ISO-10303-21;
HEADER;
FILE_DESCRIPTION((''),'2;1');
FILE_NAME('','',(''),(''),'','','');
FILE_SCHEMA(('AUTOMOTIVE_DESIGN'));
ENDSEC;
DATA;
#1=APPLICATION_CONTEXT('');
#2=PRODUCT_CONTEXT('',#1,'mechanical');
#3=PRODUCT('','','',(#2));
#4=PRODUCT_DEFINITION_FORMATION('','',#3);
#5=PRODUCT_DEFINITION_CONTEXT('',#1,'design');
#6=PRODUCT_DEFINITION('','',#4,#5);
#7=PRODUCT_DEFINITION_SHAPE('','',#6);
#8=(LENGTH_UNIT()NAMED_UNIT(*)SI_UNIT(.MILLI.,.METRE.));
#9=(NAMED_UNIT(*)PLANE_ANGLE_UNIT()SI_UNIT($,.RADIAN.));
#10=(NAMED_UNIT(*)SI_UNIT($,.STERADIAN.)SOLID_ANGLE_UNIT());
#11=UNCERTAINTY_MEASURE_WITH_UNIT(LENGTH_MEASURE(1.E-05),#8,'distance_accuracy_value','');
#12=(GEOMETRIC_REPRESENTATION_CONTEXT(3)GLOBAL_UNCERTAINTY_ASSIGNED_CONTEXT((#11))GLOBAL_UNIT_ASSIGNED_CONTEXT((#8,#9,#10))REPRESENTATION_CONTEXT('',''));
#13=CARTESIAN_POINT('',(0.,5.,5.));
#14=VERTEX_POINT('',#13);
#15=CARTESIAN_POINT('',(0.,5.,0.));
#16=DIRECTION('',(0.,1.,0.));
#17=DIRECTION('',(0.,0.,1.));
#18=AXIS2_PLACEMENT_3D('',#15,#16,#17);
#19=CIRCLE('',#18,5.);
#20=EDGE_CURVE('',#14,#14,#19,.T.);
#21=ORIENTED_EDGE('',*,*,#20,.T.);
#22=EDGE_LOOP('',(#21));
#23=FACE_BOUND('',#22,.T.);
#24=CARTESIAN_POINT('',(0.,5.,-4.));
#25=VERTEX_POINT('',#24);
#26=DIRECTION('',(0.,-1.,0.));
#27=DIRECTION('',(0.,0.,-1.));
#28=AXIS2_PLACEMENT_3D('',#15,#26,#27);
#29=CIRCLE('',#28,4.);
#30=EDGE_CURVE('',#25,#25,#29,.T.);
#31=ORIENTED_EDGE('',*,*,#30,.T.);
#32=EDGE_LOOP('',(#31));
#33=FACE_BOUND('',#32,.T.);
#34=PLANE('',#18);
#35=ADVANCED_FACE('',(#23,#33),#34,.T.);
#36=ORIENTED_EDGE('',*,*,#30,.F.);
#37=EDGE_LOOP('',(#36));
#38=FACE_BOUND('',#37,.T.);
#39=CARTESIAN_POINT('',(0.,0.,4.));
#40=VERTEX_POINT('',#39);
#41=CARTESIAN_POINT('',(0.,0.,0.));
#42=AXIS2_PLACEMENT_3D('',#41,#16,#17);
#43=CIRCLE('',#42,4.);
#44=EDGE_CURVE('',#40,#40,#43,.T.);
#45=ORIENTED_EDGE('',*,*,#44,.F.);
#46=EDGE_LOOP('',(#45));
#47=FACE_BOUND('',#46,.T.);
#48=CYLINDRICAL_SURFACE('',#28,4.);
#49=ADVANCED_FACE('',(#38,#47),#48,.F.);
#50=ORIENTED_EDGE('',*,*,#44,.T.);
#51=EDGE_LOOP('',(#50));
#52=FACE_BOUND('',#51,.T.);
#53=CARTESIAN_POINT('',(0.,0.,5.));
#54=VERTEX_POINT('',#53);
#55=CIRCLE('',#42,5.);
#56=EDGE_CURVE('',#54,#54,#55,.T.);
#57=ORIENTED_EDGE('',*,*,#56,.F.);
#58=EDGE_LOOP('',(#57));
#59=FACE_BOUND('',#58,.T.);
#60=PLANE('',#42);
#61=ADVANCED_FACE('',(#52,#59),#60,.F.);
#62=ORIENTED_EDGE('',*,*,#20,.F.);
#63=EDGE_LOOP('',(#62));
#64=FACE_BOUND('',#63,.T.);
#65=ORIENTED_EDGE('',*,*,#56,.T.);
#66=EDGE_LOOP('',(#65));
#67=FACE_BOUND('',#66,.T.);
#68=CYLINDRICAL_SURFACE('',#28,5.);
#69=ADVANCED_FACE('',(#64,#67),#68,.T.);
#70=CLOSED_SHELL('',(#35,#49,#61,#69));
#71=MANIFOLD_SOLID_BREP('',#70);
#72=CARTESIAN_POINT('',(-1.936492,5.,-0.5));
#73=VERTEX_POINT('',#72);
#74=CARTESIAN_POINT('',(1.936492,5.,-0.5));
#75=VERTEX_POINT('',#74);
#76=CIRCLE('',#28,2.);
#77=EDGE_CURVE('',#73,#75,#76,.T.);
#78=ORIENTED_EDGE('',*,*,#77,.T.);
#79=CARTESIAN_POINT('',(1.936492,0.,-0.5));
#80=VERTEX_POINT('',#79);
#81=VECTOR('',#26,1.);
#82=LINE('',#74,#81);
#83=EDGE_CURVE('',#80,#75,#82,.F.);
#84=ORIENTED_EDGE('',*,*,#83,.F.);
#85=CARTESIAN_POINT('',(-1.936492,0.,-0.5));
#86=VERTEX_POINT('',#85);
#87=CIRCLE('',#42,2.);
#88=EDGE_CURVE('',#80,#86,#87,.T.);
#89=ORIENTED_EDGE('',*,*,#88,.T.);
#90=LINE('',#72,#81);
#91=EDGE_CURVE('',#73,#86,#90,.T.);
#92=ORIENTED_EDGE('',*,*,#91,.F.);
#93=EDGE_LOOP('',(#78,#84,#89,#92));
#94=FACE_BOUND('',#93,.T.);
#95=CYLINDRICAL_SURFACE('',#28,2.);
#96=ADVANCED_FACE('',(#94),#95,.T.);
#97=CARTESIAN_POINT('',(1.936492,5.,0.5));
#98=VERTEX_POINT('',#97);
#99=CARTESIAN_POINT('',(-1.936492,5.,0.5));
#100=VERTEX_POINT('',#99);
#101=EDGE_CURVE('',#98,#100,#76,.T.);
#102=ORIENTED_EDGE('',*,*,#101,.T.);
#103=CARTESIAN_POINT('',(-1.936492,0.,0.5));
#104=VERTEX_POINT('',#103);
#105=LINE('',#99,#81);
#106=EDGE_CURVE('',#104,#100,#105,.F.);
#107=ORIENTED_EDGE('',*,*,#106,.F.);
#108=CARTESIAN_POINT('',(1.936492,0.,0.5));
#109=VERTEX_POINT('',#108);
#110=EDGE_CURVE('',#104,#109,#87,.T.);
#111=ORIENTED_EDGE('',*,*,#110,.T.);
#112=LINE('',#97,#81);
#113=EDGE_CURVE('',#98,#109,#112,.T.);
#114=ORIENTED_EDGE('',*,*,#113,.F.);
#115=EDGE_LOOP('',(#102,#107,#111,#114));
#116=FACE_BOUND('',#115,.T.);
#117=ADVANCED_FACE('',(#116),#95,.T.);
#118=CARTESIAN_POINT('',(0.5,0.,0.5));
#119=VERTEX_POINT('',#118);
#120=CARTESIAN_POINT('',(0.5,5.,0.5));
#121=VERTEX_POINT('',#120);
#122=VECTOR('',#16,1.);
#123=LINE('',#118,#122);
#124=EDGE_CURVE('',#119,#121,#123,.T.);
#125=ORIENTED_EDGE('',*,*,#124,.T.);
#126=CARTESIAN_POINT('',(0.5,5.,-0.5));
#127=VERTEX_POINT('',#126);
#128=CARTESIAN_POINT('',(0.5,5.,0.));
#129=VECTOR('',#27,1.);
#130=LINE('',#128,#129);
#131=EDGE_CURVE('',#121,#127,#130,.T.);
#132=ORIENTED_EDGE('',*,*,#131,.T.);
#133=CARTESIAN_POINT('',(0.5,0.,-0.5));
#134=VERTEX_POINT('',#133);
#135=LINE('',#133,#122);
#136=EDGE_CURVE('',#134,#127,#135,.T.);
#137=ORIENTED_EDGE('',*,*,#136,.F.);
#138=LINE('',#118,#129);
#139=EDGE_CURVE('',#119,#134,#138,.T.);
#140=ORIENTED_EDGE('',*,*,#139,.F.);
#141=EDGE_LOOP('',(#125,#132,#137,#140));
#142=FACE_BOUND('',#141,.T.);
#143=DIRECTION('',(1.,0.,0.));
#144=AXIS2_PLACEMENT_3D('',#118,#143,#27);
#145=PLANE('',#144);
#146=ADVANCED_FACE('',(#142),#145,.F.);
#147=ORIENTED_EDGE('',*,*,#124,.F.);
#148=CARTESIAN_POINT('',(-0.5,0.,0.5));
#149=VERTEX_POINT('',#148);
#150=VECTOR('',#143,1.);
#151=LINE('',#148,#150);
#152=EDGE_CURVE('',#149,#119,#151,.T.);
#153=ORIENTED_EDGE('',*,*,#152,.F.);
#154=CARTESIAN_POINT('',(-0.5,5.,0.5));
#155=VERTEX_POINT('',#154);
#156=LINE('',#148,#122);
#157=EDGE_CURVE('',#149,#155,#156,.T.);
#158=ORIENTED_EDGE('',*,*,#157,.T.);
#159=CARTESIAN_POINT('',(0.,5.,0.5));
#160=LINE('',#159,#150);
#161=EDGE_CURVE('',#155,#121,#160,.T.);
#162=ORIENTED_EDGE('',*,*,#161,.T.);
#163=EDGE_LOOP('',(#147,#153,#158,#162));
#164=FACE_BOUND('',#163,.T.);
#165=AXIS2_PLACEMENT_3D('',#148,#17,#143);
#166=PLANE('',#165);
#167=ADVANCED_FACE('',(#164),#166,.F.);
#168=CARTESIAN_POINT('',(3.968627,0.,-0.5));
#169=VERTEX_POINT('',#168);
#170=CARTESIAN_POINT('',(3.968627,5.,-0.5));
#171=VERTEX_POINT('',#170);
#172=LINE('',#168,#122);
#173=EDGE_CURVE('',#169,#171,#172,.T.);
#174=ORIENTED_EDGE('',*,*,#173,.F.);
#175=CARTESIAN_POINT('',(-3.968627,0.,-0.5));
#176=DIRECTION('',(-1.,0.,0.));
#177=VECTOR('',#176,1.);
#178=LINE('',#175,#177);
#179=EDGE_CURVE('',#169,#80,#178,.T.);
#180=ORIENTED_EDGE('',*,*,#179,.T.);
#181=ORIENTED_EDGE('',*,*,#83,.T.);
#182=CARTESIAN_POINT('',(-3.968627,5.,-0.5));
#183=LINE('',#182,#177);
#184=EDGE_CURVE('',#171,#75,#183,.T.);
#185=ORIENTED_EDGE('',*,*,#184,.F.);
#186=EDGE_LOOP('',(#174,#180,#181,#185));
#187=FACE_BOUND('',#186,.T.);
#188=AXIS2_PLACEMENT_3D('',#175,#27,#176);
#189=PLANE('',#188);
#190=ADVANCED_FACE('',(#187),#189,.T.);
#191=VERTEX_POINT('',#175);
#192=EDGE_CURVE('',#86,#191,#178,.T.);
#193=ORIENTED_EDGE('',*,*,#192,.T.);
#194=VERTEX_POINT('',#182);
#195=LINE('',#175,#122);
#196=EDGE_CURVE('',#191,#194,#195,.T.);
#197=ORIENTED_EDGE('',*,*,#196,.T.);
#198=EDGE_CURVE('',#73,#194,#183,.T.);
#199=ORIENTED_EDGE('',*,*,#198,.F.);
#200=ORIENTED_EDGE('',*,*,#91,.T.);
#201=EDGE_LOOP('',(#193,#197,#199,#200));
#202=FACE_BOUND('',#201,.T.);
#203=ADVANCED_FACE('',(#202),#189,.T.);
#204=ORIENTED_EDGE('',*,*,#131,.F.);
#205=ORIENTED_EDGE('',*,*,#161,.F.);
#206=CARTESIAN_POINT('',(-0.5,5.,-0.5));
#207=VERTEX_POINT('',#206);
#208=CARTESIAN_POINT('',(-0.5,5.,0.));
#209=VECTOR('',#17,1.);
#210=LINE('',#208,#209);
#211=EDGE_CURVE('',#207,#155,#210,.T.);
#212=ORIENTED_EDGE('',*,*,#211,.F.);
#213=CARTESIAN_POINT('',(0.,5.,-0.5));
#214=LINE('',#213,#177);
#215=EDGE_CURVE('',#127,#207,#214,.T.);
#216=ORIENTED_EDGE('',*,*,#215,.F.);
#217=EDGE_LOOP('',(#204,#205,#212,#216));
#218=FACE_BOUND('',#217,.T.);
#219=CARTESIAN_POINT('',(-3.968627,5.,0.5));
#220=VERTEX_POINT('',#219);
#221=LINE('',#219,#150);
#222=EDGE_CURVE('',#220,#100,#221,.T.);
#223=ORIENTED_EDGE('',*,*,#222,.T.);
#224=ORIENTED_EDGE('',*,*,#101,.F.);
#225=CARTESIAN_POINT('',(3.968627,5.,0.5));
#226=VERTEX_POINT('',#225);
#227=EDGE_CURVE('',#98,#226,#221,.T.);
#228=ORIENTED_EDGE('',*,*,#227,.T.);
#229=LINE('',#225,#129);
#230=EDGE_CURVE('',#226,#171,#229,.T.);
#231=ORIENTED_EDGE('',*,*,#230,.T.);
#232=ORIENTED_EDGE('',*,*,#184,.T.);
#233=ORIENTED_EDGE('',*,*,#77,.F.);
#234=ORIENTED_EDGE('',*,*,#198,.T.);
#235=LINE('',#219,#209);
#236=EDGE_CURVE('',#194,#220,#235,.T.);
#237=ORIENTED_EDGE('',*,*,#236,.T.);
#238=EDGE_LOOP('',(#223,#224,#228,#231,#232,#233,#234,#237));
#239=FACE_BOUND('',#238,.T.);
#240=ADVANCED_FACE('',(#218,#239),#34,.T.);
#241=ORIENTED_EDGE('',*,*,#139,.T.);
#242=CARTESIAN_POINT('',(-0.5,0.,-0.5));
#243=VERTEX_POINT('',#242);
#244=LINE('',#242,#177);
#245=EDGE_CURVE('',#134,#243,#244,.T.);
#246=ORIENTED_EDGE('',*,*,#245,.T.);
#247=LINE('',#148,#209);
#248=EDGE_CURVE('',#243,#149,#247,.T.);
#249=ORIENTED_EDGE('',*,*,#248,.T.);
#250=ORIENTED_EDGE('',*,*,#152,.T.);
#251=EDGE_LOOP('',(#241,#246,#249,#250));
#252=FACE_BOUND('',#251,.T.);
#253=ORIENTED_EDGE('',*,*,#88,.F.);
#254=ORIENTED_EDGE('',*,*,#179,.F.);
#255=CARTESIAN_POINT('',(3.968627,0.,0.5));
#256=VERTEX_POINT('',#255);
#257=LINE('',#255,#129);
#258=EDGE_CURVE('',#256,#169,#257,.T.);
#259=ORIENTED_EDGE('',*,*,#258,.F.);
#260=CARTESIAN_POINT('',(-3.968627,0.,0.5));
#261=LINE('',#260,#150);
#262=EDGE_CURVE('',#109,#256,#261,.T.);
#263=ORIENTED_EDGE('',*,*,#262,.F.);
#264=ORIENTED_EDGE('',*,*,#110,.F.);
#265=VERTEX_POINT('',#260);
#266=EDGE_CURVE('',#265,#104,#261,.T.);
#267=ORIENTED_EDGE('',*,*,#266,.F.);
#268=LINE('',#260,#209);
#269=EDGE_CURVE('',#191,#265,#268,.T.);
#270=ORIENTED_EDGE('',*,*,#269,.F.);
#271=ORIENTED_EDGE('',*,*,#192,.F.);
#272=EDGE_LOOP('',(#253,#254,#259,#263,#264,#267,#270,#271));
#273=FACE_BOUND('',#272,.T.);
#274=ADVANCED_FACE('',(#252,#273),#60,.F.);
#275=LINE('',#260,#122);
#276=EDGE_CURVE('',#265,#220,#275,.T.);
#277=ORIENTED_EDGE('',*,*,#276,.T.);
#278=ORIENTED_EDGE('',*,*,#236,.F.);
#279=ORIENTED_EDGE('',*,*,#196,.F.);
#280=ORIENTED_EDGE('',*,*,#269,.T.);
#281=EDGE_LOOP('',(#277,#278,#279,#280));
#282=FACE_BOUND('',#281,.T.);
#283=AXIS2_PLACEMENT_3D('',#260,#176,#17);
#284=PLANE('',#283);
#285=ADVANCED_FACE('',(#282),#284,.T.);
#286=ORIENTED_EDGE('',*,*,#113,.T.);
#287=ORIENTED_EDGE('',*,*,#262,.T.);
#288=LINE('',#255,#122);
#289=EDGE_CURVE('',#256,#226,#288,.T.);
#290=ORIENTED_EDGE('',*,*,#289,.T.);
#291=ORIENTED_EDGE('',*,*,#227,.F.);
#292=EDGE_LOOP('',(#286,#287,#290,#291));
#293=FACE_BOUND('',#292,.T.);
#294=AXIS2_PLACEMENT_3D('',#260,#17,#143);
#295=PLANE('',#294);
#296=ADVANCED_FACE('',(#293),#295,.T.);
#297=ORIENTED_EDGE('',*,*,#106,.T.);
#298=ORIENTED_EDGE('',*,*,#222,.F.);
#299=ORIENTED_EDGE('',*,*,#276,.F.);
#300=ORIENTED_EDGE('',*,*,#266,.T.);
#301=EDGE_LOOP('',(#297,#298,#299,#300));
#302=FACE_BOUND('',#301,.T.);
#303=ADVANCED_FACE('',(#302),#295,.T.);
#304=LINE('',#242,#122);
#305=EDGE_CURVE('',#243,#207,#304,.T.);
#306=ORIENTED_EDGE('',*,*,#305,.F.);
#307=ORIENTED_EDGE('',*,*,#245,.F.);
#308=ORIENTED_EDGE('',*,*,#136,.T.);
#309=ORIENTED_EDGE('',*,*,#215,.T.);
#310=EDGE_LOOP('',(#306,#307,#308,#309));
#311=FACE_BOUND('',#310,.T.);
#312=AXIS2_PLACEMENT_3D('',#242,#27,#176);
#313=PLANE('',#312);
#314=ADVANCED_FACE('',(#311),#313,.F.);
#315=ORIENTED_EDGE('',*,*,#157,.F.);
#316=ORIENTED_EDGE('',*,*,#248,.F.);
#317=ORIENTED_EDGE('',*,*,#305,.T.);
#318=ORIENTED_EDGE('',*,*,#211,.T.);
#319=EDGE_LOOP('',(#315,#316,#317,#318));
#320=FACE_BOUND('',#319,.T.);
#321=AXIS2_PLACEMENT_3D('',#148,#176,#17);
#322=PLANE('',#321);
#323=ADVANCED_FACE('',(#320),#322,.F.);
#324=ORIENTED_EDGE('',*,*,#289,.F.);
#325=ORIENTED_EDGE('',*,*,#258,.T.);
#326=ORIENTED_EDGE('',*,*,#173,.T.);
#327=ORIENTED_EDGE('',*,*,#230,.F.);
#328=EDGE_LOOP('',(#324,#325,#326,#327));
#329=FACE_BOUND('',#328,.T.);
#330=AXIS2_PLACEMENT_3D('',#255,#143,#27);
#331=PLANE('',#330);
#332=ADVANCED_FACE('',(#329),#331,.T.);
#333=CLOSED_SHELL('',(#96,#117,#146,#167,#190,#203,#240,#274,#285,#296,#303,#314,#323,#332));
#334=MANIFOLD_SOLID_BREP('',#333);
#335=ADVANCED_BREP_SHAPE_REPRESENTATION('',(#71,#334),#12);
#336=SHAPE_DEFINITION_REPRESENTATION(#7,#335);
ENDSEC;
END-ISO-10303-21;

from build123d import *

# Parameters (mm, degrees)
SKETCH2_R               = 5
SKETCH2_W               = 1
SKETCH2_H               = 1
BOSS_EXTRUDE1_DEPTH     = 5
CUT_EXTRUDE1_DEPTH      = 9.660254038
CUT_EXTRUDE1_DEPTH_BACK = 9.660254038
SKETCH4_R               = 4
SKETCH4_R_2             = 2
SKETCH6_W               = 7.937253934
SKETCH6_H               = 1
BOSS_EXTRUDE2_DEPTH     = 5
CUT_EXTRUDE2_DEPTH      = 9.660254038
CUT_EXTRUDE2_DEPTH_BACK = 9.660254038
SKETCH7_W               = 1
SKETCH7_H               = 1


with BuildPart() as part:
    # Sketch2 → Boss-Extrude1 (new body)
    with BuildSketch(Plane(origin=(0, 0, 0), x_dir=(1, 0, 0), z_dir=(0, 1, 0))):
        with Locations(Location((0, 0, 0), (0, 0, 270))):
            Circle(SKETCH2_R)
        Rectangle(SKETCH2_W, SKETCH2_H, mode=Mode.SUBTRACT)
    extrude(amount=BOSS_EXTRUDE1_DEPTH)

    # Sketch4 → Cut-Extrude1 (cut, two sides: drawn at the far end of the back side and taken through both)
    with BuildSketch(Plane.XZ.offset(-CUT_EXTRUDE1_DEPTH_BACK)):
        with Locations(Location((0, 0, 0), (0, 0, 270))):
            Circle(SKETCH4_R)
        with Locations(Location((0, 0, 0), (0, 0, 270))):
            Circle(SKETCH4_R_2, mode=Mode.SUBTRACT)
    extrude(amount=CUT_EXTRUDE1_DEPTH + CUT_EXTRUDE1_DEPTH_BACK, mode=Mode.SUBTRACT)


with BuildPart() as cut_extrude1_piece_1:
    # of the separate pieces the step leaves, piece 1, a body of its own (cut_extrude1_pieces)
    add(part.part.solids().sort_by_distance((0, 0, 5))[0])


with BuildPart() as cut_extrude1_piece_2:
    # of the separate pieces the step leaves, piece 2, a body of its own (cut_extrude1_pieces)
    add(part.part.solids().sort_by_distance((0, 0, -2))[0])

    # Sketch6 → Boss-Extrude2 (add)
    with BuildSketch(Plane(origin=(0, 5, 0), x_dir=(1, 0, 0), z_dir=(0, 1, 0))):
        Rectangle(SKETCH6_W, SKETCH6_H)
    extrude(amount=-BOSS_EXTRUDE2_DEPTH)

    # Sketch7 → Cut-Extrude2 (cut, two sides: drawn at the far end of the back side and taken through both)
    with BuildSketch(Plane(origin=(0, 5, 0), x_dir=(1, 0, 0), z_dir=(0, 1, 0)).offset(-CUT_EXTRUDE2_DEPTH_BACK)):
        Rectangle(SKETCH7_W, SKETCH7_H)
    extrude(amount=CUT_EXTRUDE2_DEPTH + CUT_EXTRUDE2_DEPTH_BACK, mode=Mode.SUBTRACT)


solid = Compound([cut_extrude1_piece_1.part, cut_extrude1_piece_2.part])
